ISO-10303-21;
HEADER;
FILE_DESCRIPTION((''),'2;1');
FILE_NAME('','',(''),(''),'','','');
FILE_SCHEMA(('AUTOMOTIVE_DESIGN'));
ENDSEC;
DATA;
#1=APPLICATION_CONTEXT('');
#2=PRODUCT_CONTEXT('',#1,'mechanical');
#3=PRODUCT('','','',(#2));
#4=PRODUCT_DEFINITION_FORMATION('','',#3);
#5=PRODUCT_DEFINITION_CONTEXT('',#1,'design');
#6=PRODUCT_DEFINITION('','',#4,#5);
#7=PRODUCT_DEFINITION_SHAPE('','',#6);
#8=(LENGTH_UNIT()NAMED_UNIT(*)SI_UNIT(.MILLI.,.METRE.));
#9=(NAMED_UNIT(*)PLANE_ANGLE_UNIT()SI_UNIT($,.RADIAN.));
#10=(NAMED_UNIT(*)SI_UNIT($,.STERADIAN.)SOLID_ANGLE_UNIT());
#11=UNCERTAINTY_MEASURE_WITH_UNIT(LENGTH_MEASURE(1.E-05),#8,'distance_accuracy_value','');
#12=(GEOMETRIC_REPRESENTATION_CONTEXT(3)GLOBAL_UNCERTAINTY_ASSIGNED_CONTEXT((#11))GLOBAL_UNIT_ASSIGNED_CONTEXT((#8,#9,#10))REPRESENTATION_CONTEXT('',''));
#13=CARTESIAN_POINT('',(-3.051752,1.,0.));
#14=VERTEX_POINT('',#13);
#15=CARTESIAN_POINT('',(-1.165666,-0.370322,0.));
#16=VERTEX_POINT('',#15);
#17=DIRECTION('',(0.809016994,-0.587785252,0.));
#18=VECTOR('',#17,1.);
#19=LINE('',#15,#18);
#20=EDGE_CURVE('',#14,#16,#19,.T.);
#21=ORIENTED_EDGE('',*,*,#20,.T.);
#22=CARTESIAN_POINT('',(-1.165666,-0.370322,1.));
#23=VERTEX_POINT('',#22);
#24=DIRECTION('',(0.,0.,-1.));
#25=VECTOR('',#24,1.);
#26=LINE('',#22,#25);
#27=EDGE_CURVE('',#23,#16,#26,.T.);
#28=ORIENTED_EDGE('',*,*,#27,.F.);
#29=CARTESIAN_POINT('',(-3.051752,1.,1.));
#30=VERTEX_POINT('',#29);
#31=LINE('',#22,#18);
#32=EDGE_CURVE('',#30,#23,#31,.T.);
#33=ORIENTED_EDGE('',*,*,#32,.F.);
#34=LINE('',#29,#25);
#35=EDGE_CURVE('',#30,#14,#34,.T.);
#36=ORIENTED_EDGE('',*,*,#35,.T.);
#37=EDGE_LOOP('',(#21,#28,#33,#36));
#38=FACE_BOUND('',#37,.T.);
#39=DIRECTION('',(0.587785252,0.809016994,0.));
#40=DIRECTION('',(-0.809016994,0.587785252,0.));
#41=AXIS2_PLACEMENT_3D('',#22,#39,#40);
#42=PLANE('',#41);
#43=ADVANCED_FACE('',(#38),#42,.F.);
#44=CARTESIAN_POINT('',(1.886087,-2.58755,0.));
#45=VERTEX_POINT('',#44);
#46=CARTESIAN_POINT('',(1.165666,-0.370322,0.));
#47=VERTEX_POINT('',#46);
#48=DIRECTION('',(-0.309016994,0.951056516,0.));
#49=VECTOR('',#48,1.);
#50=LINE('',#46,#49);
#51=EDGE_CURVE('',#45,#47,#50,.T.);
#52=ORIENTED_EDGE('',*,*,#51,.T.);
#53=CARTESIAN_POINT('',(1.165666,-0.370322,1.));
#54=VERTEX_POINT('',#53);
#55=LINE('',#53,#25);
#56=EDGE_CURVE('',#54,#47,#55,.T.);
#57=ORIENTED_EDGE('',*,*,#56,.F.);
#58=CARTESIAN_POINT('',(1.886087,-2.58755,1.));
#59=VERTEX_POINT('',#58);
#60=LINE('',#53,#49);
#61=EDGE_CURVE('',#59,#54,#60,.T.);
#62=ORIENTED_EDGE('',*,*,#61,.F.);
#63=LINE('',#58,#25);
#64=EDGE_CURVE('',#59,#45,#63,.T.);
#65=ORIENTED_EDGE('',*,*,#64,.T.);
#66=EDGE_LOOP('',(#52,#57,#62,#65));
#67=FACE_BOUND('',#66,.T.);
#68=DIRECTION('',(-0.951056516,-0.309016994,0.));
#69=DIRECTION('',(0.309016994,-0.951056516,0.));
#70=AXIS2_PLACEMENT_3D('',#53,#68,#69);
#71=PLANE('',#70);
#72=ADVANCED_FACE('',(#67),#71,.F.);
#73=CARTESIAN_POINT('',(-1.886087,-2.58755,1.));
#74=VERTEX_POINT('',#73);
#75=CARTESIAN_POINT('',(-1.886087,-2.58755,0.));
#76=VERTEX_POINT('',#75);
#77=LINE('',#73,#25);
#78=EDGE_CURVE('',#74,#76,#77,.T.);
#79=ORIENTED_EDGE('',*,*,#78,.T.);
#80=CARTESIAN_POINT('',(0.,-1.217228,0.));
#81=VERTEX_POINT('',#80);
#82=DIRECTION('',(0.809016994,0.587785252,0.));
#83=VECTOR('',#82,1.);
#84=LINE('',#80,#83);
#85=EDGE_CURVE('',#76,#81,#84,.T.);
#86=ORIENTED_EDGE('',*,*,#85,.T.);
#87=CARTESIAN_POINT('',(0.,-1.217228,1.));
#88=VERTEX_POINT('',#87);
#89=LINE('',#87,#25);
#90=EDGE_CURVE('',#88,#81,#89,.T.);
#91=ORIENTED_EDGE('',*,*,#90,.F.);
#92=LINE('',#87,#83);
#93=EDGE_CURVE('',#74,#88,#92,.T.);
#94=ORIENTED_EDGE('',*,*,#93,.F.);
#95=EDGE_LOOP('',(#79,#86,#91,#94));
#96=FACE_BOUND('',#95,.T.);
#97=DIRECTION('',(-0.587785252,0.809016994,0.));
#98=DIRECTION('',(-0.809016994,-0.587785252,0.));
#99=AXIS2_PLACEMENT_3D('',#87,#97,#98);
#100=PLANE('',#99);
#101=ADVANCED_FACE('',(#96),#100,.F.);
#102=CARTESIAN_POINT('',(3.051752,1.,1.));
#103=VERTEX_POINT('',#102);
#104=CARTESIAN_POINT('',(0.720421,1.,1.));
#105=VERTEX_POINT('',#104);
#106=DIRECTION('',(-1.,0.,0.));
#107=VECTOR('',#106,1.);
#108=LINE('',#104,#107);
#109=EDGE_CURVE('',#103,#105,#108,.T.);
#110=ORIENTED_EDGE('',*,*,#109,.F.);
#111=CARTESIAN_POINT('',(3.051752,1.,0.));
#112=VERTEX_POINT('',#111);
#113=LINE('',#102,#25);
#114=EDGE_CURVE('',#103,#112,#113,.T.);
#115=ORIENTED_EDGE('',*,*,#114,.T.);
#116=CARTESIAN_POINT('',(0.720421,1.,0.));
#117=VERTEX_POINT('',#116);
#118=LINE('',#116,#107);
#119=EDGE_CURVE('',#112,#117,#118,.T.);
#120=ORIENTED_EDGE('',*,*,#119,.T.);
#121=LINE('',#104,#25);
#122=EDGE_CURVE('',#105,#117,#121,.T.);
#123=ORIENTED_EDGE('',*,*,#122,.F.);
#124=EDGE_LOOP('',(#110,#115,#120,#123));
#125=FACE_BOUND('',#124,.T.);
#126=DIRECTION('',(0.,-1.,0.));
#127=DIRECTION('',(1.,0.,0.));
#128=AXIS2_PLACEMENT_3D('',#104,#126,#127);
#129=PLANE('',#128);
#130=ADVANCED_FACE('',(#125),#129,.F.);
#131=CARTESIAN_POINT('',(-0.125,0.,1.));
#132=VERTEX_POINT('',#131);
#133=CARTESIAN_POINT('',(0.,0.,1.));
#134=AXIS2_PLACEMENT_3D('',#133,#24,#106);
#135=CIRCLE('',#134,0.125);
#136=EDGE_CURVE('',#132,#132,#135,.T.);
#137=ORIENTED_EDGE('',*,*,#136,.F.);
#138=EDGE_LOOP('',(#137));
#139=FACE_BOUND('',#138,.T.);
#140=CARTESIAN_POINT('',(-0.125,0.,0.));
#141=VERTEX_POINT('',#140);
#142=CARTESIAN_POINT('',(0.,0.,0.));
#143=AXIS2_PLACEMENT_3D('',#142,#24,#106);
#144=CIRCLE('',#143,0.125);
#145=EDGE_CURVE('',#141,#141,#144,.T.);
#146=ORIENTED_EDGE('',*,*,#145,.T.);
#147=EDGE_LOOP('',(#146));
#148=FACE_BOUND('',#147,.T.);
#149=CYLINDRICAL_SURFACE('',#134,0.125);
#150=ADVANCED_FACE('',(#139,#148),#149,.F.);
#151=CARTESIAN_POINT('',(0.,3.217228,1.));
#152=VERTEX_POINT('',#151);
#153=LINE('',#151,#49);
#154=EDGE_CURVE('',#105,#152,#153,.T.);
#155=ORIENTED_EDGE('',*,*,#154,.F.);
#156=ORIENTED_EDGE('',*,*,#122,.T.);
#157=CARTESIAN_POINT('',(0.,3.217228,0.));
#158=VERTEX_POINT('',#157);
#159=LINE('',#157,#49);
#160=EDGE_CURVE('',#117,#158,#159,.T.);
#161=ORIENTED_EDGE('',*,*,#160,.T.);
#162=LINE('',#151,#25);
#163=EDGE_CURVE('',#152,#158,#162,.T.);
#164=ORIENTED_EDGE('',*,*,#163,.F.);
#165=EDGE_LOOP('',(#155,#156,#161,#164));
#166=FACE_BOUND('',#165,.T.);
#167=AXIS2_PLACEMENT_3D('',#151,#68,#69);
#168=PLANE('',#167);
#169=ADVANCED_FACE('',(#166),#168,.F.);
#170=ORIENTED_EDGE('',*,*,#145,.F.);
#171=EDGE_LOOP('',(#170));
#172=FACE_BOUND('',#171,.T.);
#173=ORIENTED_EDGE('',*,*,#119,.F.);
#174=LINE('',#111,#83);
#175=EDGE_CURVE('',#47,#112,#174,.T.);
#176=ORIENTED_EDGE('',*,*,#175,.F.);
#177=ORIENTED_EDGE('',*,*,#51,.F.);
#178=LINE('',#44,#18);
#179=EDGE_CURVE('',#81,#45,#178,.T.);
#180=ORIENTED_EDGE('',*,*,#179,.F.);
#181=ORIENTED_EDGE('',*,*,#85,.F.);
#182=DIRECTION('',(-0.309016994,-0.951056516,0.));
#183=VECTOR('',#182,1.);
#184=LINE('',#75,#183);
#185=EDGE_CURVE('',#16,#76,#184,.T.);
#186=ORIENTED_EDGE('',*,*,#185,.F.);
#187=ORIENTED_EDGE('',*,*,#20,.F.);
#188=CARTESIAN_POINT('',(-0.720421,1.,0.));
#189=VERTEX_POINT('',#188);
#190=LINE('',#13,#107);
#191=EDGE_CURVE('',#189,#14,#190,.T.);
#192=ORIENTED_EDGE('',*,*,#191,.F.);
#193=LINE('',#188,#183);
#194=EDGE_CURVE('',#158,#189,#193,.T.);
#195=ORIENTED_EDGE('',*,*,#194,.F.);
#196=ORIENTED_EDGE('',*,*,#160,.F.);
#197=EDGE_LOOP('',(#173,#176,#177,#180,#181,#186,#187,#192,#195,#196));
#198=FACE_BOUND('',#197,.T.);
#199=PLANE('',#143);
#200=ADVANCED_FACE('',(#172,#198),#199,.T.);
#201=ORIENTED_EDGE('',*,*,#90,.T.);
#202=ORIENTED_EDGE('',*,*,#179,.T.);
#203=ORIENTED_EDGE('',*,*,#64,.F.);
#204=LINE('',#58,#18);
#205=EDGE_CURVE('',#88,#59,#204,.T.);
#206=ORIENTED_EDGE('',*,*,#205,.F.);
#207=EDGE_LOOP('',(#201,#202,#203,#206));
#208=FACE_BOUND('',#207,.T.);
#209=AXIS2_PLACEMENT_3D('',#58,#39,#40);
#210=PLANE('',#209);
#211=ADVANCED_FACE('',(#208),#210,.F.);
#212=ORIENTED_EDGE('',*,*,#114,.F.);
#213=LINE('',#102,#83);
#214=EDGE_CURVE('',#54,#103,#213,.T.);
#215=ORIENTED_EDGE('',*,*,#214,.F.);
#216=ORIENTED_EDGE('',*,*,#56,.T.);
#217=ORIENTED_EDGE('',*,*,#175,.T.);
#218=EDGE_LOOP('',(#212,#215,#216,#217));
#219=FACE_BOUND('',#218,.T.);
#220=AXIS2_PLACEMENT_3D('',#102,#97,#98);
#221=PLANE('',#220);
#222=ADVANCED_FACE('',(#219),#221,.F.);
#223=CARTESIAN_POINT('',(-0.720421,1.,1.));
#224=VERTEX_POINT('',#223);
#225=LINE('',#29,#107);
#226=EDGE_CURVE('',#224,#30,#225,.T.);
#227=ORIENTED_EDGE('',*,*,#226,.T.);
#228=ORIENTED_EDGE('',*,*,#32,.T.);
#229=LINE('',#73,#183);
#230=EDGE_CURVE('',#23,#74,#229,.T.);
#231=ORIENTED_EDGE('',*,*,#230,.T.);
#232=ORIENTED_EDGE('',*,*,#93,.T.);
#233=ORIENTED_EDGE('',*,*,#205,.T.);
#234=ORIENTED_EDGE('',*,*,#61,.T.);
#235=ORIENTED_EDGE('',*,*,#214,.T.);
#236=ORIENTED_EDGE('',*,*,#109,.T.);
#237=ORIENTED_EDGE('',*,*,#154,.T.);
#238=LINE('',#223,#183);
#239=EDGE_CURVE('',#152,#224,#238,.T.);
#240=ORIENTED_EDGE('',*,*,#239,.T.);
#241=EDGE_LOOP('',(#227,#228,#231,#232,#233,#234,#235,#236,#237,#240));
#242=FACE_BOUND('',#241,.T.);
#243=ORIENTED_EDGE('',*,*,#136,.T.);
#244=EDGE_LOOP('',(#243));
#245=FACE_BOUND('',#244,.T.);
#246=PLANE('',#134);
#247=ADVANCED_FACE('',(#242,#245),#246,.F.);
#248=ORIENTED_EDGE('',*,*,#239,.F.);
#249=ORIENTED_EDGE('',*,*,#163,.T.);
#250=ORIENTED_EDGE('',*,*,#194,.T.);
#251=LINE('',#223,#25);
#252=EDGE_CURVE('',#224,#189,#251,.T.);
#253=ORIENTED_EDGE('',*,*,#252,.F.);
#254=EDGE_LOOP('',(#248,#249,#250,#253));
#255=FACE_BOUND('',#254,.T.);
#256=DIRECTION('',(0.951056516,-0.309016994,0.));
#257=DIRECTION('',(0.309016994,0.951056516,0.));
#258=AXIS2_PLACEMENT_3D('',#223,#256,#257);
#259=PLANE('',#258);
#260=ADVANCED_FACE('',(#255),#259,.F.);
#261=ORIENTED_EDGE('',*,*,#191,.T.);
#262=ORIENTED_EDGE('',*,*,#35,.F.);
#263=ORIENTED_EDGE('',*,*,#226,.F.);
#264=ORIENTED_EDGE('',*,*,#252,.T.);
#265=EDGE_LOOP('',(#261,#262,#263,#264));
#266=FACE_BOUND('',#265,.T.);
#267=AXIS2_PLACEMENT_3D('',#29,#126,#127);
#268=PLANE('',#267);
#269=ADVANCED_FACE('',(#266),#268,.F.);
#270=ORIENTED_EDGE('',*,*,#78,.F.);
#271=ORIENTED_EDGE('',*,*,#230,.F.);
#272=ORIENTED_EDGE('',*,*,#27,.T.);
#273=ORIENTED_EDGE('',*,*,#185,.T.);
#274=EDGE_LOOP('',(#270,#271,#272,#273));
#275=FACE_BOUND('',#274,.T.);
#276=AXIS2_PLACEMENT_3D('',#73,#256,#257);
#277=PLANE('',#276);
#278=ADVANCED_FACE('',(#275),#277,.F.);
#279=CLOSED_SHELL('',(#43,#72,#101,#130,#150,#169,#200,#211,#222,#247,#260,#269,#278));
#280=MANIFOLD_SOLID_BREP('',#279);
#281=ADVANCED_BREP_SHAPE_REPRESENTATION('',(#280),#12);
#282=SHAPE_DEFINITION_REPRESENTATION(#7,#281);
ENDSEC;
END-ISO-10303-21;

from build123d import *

# Parameters (mm, degrees)
BOSS_EXTRU_1_DEPTH      = 1
ESQUISSE4_R             = 0.125
ENL_V_MAT_EXTRU_1_DEPTH = 2


with BuildPart() as part:
    # Esquisse3 → Boss.-Extru.1 (new body)
    with BuildSketch(Plane.XY):
        Polygon((0, 3.217227712), (0.720420955, 1), (3.051752136, 1), (1.165665591, -0.370322087), (1.886086545, -2.587549798), (0, -1.217227712), (-1.886086545, -2.587549798), (-1.165665591, -0.370322087), (-3.051752136, 1), (-0.720420955, 1), align=None)
    extrude(amount=BOSS_EXTRU_1_DEPTH)

    # Esquisse4 → Enlèv. mat.-Extru.1 (cut, through all)
    with BuildSketch(Plane(origin=(0, 0, 0), x_dir=(-1, 0, 0), z_dir=(0, 0, -1))):
        Circle(ESQUISSE4_R)
    extrude(amount=-ENL_V_MAT_EXTRU_1_DEPTH, mode=Mode.SUBTRACT)


solid = part.part
